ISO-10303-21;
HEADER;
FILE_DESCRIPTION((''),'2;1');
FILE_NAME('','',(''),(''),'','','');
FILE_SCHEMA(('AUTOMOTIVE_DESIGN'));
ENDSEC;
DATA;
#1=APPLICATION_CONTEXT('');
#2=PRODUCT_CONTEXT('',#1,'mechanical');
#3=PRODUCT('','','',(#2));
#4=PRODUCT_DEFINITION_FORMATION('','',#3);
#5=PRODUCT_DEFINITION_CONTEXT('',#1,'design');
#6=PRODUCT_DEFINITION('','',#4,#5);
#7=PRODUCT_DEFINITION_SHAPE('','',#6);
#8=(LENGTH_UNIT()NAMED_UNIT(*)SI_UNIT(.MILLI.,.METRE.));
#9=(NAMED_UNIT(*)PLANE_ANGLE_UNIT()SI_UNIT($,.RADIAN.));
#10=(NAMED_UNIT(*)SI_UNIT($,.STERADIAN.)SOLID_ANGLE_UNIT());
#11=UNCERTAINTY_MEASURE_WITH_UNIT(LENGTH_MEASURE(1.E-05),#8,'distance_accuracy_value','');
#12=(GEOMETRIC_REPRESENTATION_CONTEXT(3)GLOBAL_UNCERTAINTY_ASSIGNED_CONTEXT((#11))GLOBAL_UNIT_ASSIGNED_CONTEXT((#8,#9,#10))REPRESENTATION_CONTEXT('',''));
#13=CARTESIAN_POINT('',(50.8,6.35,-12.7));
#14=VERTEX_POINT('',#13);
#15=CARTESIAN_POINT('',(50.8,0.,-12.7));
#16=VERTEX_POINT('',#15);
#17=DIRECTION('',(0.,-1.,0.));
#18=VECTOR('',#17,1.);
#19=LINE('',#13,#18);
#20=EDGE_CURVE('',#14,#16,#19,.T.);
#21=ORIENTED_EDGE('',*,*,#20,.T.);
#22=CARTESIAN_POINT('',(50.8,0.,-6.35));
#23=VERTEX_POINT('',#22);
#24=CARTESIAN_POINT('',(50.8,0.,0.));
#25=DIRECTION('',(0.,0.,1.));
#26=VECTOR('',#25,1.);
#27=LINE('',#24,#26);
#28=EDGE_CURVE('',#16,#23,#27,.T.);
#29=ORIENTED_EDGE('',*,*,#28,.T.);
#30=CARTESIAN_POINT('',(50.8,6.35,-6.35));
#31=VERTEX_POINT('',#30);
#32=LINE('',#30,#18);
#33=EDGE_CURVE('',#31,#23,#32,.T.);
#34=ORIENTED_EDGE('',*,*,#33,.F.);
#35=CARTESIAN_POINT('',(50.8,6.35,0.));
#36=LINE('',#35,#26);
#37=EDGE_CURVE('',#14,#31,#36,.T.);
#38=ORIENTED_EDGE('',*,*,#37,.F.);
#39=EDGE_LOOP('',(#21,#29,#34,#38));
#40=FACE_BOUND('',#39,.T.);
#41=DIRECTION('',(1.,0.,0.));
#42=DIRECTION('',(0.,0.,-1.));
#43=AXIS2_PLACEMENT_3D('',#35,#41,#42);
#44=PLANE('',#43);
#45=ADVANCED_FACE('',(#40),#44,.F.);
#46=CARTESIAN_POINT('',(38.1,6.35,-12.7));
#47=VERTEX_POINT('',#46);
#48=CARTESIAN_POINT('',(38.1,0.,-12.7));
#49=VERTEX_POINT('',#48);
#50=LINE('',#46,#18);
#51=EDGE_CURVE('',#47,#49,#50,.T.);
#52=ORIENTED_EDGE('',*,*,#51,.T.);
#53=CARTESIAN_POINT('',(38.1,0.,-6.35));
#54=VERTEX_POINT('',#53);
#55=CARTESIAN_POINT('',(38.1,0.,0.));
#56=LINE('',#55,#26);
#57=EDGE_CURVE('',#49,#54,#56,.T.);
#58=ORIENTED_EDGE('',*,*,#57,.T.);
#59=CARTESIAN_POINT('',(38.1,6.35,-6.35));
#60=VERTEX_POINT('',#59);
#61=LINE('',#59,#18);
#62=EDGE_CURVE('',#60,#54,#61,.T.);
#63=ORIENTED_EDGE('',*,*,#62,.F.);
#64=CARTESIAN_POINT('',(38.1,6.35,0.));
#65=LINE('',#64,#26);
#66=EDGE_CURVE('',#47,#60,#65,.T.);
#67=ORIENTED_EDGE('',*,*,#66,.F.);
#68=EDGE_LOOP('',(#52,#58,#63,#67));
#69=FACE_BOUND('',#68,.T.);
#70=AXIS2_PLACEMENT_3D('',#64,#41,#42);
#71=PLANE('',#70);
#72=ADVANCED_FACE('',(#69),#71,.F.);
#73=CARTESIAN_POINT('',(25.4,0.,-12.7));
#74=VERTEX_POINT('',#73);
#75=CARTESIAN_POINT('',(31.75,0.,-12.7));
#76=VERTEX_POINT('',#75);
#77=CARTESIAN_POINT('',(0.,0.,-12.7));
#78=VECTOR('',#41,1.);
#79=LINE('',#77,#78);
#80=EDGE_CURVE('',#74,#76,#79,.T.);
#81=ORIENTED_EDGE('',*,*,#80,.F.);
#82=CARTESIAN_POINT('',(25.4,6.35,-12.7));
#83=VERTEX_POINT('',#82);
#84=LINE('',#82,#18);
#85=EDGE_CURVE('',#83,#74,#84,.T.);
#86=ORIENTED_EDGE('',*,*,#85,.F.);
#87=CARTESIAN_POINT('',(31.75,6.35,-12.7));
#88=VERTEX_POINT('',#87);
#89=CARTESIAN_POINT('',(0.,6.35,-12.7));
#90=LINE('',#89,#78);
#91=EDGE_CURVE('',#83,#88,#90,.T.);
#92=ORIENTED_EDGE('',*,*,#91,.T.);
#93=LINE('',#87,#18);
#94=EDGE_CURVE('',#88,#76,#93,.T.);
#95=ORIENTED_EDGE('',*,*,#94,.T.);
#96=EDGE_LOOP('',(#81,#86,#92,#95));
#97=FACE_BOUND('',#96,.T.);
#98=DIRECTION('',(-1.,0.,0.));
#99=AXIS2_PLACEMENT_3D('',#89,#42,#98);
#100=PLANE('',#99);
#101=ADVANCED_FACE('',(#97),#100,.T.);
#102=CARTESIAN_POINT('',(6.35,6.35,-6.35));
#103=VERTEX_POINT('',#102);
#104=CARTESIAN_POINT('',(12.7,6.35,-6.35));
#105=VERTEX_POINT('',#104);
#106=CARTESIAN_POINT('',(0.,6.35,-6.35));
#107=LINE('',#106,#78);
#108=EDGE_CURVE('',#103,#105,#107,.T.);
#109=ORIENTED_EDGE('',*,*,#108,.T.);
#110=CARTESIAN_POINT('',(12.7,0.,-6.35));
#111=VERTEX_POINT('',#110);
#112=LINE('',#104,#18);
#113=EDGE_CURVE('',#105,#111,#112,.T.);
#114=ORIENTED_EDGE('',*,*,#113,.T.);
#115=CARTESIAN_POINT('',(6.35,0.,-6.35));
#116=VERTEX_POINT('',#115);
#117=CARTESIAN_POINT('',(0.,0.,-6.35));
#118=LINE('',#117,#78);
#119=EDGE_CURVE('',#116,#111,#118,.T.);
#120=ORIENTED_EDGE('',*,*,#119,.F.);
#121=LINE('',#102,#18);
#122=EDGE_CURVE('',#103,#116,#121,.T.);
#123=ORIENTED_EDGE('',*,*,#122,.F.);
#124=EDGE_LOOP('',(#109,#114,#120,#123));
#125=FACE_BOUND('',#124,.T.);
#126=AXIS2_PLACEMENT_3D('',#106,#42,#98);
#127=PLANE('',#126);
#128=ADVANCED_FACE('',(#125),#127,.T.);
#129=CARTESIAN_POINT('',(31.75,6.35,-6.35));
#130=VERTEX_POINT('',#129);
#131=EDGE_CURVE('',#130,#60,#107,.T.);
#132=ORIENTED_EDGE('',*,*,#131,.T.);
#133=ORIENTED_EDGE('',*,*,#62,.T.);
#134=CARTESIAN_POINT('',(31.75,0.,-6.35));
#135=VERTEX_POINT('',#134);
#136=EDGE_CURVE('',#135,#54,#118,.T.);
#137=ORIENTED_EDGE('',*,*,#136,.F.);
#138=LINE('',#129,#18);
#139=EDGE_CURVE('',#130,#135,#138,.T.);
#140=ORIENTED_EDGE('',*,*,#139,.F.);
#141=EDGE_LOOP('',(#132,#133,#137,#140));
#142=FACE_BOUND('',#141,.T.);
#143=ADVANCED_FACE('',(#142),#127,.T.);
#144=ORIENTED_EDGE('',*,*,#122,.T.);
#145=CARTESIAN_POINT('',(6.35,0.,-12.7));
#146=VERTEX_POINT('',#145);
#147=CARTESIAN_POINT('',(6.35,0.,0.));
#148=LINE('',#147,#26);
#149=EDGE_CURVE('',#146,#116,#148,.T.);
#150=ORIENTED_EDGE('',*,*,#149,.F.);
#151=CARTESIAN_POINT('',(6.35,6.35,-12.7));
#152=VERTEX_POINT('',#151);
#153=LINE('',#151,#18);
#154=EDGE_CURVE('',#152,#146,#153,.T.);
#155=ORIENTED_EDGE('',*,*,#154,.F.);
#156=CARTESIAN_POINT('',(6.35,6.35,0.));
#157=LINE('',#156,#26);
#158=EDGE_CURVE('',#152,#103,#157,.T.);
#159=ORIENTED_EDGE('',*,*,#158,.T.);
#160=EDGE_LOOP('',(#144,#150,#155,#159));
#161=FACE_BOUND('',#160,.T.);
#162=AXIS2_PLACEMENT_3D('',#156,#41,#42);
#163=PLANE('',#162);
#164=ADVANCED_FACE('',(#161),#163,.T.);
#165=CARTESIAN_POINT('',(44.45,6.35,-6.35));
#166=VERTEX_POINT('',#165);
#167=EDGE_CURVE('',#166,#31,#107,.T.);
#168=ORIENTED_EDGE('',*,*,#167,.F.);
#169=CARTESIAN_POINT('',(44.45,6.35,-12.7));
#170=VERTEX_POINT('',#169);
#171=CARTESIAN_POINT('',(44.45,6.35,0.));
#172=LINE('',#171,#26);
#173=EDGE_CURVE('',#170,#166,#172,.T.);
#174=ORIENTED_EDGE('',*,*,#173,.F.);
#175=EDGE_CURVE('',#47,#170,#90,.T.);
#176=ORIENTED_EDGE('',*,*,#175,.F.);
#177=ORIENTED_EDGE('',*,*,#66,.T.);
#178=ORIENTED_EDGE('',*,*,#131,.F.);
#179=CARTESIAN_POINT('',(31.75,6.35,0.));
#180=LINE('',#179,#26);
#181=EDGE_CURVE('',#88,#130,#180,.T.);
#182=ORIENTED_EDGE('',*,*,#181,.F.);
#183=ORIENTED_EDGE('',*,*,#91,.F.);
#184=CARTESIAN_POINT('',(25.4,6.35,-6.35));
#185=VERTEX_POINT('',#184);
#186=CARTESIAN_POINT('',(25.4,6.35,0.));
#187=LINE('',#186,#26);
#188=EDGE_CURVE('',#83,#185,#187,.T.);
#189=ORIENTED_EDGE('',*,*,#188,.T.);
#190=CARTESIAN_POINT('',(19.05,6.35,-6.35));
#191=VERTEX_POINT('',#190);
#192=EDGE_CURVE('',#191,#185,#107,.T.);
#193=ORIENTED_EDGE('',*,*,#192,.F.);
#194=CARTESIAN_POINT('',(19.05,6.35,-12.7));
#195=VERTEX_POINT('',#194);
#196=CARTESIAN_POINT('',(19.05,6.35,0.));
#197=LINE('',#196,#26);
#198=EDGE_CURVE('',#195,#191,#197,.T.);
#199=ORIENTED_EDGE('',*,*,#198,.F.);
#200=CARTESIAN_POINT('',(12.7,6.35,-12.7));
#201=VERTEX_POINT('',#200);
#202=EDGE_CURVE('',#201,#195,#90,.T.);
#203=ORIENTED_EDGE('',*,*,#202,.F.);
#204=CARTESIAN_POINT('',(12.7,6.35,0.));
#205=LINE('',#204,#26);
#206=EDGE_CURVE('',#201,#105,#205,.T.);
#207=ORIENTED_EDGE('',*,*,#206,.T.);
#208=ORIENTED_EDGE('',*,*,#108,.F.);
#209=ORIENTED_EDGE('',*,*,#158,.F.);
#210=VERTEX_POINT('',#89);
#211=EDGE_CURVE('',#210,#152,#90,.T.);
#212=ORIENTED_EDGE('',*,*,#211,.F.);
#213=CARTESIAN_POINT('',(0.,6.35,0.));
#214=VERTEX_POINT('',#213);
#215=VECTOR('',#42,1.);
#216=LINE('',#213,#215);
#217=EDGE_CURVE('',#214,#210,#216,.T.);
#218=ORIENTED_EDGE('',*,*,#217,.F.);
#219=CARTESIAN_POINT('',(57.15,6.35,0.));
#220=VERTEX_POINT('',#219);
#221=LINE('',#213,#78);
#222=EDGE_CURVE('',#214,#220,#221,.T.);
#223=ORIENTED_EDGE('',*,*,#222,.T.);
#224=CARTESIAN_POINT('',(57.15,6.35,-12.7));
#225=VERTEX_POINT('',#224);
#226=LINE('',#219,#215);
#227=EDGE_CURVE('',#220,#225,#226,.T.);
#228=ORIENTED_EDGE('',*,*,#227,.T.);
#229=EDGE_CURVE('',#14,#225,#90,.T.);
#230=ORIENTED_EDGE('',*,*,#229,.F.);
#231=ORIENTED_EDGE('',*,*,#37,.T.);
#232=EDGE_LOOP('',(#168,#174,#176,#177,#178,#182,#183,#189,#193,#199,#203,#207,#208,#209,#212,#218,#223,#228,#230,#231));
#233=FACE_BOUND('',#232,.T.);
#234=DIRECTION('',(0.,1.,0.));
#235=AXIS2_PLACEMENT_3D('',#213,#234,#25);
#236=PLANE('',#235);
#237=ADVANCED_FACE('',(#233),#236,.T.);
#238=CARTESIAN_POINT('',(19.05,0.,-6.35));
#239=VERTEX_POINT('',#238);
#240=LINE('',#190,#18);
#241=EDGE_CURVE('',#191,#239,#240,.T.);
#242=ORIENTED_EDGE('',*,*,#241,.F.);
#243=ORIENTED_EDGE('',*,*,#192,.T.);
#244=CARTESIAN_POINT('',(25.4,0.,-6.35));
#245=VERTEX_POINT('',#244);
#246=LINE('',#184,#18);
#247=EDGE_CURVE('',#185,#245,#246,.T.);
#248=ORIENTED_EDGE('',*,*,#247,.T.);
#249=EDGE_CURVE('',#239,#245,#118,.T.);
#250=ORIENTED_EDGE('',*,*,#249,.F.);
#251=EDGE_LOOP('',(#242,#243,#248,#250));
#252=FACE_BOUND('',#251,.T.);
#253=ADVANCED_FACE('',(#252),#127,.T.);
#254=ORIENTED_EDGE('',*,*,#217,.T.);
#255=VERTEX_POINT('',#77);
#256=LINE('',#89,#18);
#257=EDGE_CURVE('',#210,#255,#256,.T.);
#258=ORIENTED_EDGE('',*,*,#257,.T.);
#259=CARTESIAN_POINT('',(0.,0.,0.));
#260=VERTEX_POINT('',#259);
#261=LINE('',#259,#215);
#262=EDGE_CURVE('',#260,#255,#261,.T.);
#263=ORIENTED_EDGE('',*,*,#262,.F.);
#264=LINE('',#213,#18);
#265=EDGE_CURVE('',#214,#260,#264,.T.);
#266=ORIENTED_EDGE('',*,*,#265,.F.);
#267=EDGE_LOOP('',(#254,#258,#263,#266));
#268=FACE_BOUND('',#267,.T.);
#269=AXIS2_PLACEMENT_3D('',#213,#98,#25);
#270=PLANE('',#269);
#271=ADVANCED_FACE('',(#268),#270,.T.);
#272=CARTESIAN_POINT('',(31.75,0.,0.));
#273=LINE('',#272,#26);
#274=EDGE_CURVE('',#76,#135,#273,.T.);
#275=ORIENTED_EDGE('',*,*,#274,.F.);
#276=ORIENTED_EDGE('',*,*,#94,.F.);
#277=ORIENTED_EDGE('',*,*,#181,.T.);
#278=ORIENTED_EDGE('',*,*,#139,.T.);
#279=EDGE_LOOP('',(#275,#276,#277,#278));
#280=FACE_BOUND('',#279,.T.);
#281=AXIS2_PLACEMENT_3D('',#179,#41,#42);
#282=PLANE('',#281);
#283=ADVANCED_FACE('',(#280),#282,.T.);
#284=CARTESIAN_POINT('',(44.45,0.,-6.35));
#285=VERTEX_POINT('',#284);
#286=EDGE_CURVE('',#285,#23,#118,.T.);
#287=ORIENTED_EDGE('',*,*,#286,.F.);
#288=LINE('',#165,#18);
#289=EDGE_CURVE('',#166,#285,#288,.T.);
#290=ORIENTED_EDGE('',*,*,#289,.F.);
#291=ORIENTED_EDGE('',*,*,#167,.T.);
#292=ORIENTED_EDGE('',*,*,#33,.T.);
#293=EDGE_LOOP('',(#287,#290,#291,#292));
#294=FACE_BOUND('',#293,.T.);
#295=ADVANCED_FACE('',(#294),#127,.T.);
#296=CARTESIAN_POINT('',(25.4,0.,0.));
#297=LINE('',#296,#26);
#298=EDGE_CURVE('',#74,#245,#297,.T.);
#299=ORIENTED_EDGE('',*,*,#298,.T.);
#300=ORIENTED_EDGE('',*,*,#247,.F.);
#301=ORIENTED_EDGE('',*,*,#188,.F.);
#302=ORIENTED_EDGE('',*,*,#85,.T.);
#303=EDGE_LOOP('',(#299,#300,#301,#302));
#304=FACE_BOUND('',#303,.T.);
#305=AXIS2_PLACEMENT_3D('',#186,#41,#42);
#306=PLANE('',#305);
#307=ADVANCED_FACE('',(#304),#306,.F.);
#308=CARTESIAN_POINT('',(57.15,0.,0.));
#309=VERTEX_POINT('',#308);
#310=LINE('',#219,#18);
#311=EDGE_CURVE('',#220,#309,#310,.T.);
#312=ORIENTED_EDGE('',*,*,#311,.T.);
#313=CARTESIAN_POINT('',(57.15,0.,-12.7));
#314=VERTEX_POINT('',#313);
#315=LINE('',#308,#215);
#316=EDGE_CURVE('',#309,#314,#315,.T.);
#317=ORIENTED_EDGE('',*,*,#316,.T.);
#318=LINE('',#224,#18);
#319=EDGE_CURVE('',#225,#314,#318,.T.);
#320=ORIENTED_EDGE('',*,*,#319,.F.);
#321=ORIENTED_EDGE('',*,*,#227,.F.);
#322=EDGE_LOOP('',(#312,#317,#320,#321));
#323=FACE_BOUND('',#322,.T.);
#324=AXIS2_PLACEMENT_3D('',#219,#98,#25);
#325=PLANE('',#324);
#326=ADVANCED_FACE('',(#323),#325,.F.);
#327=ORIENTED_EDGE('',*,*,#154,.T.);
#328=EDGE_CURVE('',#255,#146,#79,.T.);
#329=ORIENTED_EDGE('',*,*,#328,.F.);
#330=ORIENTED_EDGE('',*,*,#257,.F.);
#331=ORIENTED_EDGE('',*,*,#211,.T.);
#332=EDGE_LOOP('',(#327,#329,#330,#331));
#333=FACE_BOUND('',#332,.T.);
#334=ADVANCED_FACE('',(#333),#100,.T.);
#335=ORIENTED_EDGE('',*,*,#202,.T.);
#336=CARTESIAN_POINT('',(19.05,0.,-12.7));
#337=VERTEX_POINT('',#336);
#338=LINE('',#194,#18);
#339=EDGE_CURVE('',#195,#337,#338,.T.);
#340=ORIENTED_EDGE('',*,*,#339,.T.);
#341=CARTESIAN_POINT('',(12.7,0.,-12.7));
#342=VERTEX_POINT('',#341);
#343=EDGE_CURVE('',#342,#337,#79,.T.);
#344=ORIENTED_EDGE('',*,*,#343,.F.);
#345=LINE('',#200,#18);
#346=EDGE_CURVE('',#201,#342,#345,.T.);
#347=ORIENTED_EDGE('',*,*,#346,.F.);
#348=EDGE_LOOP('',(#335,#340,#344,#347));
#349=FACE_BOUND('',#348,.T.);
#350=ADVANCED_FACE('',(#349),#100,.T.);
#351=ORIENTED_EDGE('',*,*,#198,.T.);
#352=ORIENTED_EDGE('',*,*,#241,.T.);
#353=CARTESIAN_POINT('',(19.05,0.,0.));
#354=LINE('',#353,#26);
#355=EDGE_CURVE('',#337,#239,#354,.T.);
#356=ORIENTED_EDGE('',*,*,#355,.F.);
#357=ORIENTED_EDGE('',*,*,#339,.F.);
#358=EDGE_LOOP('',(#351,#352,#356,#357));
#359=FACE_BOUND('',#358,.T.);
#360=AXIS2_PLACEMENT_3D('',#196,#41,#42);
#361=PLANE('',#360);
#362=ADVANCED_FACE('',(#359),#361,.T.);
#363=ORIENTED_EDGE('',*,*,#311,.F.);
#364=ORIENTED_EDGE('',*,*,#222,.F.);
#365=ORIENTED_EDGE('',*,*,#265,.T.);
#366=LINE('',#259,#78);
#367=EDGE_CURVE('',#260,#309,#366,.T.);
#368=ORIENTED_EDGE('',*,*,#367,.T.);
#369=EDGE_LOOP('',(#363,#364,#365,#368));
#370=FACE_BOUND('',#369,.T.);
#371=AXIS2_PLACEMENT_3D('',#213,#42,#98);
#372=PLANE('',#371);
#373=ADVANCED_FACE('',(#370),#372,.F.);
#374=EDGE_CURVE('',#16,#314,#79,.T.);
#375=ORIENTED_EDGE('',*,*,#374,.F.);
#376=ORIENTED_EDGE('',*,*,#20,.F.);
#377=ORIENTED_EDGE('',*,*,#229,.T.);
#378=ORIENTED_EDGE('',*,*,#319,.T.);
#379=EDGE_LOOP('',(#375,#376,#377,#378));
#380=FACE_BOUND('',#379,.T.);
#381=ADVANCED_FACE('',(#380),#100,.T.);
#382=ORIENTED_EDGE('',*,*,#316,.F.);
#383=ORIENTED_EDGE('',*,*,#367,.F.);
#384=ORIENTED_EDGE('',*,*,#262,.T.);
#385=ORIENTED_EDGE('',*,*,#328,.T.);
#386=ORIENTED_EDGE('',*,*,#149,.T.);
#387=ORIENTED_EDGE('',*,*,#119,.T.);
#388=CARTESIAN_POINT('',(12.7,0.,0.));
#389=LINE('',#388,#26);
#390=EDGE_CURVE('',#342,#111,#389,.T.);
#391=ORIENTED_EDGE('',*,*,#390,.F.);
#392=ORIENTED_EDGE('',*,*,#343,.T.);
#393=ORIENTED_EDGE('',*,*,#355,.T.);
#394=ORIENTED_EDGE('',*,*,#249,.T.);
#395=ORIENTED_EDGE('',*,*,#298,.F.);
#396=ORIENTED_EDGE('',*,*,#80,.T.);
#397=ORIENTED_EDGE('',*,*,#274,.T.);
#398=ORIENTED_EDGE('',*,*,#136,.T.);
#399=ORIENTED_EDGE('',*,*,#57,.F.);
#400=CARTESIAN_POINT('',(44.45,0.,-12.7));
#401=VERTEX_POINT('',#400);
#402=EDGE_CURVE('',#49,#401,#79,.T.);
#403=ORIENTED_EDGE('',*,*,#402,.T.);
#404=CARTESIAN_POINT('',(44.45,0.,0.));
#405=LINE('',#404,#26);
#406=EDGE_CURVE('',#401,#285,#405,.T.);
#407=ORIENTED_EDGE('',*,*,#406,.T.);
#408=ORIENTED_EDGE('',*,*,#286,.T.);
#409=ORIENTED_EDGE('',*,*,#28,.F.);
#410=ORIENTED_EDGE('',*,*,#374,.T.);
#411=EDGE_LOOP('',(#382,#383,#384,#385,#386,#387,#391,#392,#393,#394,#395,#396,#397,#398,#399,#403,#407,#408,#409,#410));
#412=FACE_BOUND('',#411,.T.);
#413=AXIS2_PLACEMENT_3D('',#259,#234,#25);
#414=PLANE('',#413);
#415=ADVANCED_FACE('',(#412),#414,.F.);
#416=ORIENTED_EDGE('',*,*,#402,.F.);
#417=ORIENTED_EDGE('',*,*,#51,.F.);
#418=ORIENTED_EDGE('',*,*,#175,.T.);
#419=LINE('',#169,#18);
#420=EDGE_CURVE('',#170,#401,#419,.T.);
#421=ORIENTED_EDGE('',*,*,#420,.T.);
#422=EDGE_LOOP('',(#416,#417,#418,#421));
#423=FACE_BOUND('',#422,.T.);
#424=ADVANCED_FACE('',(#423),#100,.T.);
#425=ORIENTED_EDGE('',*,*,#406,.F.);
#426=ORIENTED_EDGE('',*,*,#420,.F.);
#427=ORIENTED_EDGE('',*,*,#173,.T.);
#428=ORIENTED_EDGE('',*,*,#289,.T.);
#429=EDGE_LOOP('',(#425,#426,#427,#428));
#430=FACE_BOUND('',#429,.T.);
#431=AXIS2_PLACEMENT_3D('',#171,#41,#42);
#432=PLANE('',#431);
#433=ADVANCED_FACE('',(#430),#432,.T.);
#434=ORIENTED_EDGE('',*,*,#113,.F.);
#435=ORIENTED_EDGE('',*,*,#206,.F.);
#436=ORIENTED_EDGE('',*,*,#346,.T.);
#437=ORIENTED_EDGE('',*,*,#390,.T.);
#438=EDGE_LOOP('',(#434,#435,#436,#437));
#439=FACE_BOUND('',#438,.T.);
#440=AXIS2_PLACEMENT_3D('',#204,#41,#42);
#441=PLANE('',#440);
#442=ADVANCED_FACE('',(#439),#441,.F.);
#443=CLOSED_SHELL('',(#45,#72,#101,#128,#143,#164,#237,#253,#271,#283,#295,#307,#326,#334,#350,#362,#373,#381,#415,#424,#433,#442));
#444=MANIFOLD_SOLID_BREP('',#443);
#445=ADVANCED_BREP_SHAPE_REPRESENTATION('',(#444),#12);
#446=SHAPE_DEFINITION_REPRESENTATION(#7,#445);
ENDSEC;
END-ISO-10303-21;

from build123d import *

# Parameters (mm, degrees)
BOSS_EXTRUDE1_DEPTH = 6.35


with BuildPart() as part:
    # Sketch1 → Boss-Extrude1 (new body)
    with BuildSketch(Plane(origin=(0, 0, 0), x_dir=(1, 0, 0), z_dir=(0, 1, 0))):
        Polygon((0, 12.7), (0, 0), (57.15, 0), (57.15, 12.7), (50.8, 12.7), (50.8, 6.35), (44.45, 6.35), (44.45, 12.7), (38.1, 12.7), (38.1, 6.35), (31.75, 6.35), (31.75, 12.7), (25.4, 12.7), (25.4, 6.35), (19.05, 6.35), (19.05, 12.7), (12.7, 12.7), (12.7, 6.35), (6.35, 6.35), (6.35, 12.7), align=None)
    extrude(amount=BOSS_EXTRUDE1_DEPTH)


solid = part.part
